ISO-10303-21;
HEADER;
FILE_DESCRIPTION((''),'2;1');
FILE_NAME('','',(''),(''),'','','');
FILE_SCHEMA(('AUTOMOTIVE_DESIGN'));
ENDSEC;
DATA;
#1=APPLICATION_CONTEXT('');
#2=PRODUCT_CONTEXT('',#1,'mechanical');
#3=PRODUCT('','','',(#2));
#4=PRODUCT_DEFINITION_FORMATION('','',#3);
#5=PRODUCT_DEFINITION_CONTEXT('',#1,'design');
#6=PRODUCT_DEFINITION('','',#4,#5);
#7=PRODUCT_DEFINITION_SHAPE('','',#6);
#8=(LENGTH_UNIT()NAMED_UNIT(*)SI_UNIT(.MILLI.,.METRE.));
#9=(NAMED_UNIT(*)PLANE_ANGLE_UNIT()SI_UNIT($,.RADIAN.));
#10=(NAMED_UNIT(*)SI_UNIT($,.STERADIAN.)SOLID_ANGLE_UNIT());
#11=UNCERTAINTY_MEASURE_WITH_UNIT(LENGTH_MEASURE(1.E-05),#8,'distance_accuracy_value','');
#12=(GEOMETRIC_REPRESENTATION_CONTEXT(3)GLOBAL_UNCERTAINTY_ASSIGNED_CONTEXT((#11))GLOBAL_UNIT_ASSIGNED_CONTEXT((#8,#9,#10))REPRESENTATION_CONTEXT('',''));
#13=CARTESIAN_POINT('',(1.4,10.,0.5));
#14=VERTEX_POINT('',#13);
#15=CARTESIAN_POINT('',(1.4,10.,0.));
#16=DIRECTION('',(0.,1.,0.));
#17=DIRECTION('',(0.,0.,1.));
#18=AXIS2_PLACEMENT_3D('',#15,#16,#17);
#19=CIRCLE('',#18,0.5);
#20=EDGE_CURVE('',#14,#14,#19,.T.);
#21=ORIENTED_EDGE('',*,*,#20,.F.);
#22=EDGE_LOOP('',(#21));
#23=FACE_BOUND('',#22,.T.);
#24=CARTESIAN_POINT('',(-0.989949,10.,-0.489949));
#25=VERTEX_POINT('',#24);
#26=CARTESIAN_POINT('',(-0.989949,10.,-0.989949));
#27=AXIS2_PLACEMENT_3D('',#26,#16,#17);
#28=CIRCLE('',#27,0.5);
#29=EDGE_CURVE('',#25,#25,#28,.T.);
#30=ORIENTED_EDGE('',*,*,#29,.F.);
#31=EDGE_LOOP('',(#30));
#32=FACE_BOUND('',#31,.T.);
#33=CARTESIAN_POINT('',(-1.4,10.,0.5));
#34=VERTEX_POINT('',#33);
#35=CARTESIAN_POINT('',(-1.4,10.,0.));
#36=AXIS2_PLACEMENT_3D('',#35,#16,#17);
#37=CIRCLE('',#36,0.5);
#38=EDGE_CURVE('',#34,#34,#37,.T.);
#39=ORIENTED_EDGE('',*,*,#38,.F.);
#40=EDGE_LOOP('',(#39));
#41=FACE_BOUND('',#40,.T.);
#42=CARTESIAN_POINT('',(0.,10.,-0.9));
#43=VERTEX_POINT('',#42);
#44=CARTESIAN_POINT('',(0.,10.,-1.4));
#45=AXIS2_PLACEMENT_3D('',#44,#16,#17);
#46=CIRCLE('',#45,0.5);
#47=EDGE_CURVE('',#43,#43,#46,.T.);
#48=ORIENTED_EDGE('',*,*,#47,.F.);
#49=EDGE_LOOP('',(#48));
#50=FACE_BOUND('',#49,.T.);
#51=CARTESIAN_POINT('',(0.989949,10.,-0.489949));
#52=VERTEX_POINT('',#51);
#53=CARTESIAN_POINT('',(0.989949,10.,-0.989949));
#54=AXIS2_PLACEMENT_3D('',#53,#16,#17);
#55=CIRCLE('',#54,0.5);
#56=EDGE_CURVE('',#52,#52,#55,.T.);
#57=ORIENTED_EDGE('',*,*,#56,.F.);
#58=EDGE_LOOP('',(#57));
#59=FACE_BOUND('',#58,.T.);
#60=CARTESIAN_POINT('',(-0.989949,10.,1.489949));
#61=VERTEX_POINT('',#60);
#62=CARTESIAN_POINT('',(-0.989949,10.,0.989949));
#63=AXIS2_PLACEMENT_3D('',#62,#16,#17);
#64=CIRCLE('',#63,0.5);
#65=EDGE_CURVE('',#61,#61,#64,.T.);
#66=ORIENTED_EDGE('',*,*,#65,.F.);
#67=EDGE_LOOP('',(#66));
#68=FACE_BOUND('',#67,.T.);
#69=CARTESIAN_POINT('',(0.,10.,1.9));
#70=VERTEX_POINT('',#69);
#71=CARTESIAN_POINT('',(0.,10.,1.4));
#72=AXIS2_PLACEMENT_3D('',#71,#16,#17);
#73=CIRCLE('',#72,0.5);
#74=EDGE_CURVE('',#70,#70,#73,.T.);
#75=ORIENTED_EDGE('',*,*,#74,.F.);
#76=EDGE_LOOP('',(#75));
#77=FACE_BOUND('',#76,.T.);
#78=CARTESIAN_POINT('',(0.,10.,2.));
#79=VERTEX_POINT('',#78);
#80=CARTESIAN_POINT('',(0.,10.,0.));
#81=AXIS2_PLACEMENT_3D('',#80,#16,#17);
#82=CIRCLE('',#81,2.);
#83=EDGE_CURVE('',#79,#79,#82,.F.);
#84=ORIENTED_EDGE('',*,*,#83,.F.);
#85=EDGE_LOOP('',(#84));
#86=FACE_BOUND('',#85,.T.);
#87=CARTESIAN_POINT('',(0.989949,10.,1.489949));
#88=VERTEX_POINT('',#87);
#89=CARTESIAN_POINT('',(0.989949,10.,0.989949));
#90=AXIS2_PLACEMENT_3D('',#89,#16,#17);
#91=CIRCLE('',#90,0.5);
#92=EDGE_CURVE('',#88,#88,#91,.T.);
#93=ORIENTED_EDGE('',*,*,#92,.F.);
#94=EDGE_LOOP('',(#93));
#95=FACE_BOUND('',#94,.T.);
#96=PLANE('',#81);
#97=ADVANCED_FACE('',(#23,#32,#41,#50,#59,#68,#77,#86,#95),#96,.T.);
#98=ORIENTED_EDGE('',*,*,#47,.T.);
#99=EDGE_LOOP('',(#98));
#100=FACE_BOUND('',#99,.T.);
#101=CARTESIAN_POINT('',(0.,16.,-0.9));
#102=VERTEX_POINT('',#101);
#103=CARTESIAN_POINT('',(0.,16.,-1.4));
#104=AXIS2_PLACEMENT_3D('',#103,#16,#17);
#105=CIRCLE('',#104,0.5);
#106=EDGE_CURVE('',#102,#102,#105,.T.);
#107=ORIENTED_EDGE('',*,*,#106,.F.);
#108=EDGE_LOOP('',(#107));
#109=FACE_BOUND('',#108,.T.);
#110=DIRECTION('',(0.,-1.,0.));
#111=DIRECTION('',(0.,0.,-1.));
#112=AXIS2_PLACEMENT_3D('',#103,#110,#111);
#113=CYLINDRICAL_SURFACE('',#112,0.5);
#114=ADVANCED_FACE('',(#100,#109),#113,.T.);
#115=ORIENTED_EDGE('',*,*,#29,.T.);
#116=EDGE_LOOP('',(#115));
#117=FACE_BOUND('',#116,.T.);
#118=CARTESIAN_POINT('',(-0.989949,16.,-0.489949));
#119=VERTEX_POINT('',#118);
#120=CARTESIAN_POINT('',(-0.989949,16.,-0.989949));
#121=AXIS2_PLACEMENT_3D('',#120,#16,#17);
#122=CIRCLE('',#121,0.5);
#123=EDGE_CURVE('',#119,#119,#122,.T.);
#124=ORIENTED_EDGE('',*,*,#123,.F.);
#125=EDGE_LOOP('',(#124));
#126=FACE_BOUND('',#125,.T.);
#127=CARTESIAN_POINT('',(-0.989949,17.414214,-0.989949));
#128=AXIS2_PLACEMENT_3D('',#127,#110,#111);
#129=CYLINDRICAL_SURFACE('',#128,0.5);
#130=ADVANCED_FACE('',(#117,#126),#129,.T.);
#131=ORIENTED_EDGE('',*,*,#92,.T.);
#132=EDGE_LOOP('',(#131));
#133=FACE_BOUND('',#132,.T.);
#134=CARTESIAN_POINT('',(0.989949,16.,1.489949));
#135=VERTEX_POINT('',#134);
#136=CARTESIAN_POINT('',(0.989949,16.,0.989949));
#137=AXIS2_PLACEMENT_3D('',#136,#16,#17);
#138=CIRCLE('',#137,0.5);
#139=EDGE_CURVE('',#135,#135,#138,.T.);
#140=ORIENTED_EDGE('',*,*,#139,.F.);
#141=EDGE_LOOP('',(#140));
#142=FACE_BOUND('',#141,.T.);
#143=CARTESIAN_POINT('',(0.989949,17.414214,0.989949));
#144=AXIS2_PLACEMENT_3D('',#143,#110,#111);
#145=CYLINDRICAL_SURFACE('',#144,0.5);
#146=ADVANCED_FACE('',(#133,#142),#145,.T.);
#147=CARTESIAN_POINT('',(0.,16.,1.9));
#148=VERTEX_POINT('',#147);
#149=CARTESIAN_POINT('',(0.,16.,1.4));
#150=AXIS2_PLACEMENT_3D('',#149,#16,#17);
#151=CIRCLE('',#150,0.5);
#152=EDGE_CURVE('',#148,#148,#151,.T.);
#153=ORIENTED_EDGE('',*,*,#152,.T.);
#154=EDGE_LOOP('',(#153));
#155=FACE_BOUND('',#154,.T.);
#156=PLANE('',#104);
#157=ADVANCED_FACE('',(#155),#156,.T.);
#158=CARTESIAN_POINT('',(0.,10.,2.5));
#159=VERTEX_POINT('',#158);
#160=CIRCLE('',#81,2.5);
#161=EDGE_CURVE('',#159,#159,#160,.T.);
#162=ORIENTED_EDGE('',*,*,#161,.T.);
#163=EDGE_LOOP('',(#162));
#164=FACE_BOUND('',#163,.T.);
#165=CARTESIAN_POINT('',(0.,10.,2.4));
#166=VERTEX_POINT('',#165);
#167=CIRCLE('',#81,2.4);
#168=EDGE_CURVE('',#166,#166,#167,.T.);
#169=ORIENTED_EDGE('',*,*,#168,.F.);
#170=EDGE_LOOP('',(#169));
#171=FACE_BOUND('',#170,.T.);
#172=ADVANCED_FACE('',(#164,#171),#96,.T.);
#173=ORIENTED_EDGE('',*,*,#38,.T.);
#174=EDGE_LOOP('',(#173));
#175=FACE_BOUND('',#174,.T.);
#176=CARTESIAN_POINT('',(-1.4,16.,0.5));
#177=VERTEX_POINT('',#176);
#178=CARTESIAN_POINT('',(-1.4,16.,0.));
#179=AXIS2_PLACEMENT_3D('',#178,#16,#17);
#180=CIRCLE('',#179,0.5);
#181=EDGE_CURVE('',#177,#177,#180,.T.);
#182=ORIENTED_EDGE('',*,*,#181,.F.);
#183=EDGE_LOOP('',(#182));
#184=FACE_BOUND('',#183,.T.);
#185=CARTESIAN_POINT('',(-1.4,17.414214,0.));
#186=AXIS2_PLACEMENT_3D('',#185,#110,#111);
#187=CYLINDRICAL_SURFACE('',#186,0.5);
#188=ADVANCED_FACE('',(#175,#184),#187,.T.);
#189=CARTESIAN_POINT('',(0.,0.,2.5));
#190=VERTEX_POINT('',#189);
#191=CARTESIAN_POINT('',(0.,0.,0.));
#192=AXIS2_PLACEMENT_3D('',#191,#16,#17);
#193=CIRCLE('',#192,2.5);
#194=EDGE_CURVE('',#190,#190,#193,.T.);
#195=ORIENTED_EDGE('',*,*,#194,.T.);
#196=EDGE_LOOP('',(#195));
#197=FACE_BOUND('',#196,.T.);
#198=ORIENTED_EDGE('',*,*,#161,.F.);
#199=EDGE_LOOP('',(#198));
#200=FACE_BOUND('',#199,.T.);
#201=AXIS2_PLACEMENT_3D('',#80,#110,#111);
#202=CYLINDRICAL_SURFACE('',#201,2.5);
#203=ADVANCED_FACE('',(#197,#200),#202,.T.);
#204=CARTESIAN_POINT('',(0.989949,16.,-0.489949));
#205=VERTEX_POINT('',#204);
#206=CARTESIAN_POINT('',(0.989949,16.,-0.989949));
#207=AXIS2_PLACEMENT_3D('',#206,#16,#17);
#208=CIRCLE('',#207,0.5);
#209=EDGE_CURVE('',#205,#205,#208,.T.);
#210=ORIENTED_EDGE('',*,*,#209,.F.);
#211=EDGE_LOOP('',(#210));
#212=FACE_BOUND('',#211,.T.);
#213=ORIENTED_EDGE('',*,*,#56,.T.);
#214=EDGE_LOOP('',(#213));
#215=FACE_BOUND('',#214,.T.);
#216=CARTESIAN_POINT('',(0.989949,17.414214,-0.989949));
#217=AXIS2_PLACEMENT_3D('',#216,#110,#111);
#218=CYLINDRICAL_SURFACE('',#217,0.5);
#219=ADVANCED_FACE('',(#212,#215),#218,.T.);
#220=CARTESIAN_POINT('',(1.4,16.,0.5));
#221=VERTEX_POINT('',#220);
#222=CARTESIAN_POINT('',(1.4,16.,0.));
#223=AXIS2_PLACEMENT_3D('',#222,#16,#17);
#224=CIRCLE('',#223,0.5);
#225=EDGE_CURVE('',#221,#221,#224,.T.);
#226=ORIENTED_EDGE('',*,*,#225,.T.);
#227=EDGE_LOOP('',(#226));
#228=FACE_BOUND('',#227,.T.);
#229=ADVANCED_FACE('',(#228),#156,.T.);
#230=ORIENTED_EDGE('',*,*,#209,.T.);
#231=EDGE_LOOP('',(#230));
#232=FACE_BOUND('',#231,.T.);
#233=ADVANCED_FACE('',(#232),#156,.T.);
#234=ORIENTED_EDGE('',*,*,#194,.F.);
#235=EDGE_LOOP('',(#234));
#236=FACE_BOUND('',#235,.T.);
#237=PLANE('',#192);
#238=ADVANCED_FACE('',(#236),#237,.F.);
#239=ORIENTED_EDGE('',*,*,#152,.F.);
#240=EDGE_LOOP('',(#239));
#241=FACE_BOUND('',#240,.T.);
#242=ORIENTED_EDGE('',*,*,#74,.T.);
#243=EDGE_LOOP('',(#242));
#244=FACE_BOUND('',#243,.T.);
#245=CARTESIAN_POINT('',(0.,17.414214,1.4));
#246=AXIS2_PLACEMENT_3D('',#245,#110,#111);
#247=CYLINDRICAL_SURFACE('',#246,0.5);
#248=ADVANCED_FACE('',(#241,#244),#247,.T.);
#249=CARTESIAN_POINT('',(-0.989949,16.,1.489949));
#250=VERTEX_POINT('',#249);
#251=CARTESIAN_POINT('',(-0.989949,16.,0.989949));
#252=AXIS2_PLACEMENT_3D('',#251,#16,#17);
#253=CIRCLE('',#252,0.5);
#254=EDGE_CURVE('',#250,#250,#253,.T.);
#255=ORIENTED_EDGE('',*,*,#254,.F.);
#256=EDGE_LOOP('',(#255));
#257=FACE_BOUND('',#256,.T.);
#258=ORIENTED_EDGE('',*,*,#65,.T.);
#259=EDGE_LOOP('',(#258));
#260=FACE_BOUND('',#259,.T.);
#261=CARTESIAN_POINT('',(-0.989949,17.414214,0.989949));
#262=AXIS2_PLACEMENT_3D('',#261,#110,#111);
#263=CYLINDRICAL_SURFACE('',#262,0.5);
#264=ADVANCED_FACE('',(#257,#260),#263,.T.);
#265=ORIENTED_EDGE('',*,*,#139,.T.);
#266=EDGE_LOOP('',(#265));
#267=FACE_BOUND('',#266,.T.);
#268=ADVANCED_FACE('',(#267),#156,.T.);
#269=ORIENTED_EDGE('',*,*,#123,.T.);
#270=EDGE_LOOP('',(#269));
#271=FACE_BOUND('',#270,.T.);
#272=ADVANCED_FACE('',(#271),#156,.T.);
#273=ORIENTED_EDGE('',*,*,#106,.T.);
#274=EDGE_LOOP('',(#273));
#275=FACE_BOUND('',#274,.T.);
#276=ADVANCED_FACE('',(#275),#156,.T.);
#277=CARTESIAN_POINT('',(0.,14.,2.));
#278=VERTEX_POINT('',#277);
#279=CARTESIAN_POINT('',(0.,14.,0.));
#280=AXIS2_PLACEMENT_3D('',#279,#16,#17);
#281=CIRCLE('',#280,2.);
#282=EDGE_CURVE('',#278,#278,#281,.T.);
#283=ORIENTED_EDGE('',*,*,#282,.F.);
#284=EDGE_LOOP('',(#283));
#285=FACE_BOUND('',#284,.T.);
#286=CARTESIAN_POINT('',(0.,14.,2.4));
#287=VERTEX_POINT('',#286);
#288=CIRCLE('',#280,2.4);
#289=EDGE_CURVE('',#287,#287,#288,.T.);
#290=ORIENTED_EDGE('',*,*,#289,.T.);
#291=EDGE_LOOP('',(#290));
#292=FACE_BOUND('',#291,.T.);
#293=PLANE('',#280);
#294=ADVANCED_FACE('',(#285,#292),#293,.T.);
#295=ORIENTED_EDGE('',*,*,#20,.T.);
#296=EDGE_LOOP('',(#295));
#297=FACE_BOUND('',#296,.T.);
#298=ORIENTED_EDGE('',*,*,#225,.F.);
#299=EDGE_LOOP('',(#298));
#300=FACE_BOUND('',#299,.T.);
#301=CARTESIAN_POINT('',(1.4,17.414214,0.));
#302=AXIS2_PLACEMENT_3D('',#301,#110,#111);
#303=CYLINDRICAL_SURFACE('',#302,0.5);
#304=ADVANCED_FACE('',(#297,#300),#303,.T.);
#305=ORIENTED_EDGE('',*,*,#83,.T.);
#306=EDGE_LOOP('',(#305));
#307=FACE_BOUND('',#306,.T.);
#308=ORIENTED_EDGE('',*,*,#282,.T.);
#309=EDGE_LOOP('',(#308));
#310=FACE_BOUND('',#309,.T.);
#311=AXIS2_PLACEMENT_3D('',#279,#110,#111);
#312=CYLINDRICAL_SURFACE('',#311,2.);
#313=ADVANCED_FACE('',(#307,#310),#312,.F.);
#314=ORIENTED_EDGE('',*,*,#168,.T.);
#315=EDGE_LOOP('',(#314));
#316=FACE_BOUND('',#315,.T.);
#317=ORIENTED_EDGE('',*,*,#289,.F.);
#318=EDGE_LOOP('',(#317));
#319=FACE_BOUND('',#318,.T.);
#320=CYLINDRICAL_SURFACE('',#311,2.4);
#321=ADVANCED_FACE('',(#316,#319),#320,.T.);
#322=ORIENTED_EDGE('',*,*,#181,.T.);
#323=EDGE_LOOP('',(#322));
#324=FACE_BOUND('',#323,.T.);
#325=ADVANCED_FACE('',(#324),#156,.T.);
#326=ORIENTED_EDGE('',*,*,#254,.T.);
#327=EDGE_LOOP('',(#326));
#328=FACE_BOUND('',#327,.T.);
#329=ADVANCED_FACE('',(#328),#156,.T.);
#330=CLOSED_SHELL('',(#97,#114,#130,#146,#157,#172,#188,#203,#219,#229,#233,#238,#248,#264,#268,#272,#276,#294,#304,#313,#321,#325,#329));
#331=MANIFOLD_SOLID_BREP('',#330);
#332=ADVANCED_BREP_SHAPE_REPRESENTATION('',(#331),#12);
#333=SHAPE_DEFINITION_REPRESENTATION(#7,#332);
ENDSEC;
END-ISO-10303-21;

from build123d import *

# Parameters (mm, degrees)
MAINWIRES_R       = 2.5
MAINWIRE_DEPTH    = 10
VCCS_R            = 0.5
VCC_DEPTH         = 6
GROUNDS_R         = 0.5
GROUND_DEPTH      = 6
AS_2_R            = 0.5
EXTRUDE_A_DEPTH   = 6
BS_R              = 0.5
EXTRUDE_B_DEPTH   = 6
ZS_R              = 0.5
EXTRUDE_Z_DEPTH   = 6
A_S_R             = 0.5
EXTRUDE_A_2_DEPTH = 6
B_S_R             = 0.5
EXTRUDE_B_2_DEPTH = 6
Z_S_R             = 0.5
EXTRUDE_Z_2_DEPTH = 6
SHIELDINGS_R      = 2.4
SHIELDINGS_R_2    = 2
SHIELDING_DEPTH   = 4


with BuildPart() as part:
    # MainWireS → MainWire (new body)
    with BuildSketch(Plane(origin=(0, 0, 0), x_dir=(1, 0, 0), z_dir=(0, 1, 0))):
        with Locations(Location((0, 0, 0), (0, 0, 270))):
            Circle(MAINWIRES_R)
    extrude(amount=MAINWIRE_DEPTH)

    # VccS → Vcc (add)
    with BuildSketch(Plane(origin=(0, 10, 0), x_dir=(1, 0, 0), z_dir=(0, 1, 0))):
        with Locations(Location((0, 1.4, 0), (0, 0, 270))):
            Circle(VCCS_R)
    extrude(amount=VCC_DEPTH)

    # GroundS → Ground (add)
    with BuildSketch(Plane(origin=(0, 10, 0), x_dir=(1, 0, 0), z_dir=(0, 1, 0))):
        with Locations(Location((0.989949494, 0.989949494, 0), (0, 0, 270))):
            Circle(GROUNDS_R)
    extrude(amount=GROUND_DEPTH)

    # AS 2 → Extrude A (add)
    with BuildSketch(Plane(origin=(0, 10, 0), x_dir=(1, 0, 0), z_dir=(0, 1, 0))):
        with Locations(Location((1.4, 0, 0), (0, 0, 270))):
            Circle(AS_2_R)
    extrude(amount=EXTRUDE_A_DEPTH)

    # BS → Extrude B (add)
    with BuildSketch(Plane(origin=(0, 10, 0), x_dir=(1, 0, 0), z_dir=(0, 1, 0))):
        with Locations(Location((0.989949494, -0.989949494, 0), (0, 0, 270))):
            Circle(BS_R)
    extrude(amount=EXTRUDE_B_DEPTH)

    # ZS → Extrude Z (add)
    with BuildSketch(Plane(origin=(0, 10, 0), x_dir=(1, 0, 0), z_dir=(0, 1, 0))):
        with Locations(Location((0, -1.4, 0), (0, 0, 270))):
            Circle(ZS_R)
    extrude(amount=EXTRUDE_Z_DEPTH)

    # A-S → Extrude A 2 (add)
    with BuildSketch(Plane(origin=(0, 10, 0), x_dir=(1, 0, 0), z_dir=(0, 1, 0))):
        with Locations(Location((-0.989949494, -0.989949494, 0), (0, 0, 270))):
            Circle(A_S_R)
    extrude(amount=EXTRUDE_A_2_DEPTH)

    # B-S → Extrude B 2 (add)
    with BuildSketch(Plane(origin=(0, 10, 0), x_dir=(1, 0, 0), z_dir=(0, 1, 0))):
        with Locations(Location((-1.4, 0, 0), (0, 0, 270))):
            Circle(B_S_R)
    extrude(amount=EXTRUDE_B_2_DEPTH)

    # Z-S → Extrude Z 2 (add)
    with BuildSketch(Plane(origin=(0, 10, 0), x_dir=(1, 0, 0), z_dir=(0, 1, 0))):
        with Locations(Location((-0.989949494, 0.989949494, 0), (0, 0, 270))):
            Circle(Z_S_R)
    extrude(amount=EXTRUDE_Z_2_DEPTH)

    # ShieldingS → Shielding (add)
    with BuildSketch(Plane(origin=(0, 10, 0), x_dir=(1, 0, 0), z_dir=(0, 1, 0))):
        with Locations(Location((0, 0, 0), (0, 0, 270))):
            Circle(SHIELDINGS_R)
        with Locations(Location((0, 0, 0), (0, 0, 270))):
            Circle(SHIELDINGS_R_2, mode=Mode.SUBTRACT)
    extrude(amount=SHIELDING_DEPTH)


solid = part.part
